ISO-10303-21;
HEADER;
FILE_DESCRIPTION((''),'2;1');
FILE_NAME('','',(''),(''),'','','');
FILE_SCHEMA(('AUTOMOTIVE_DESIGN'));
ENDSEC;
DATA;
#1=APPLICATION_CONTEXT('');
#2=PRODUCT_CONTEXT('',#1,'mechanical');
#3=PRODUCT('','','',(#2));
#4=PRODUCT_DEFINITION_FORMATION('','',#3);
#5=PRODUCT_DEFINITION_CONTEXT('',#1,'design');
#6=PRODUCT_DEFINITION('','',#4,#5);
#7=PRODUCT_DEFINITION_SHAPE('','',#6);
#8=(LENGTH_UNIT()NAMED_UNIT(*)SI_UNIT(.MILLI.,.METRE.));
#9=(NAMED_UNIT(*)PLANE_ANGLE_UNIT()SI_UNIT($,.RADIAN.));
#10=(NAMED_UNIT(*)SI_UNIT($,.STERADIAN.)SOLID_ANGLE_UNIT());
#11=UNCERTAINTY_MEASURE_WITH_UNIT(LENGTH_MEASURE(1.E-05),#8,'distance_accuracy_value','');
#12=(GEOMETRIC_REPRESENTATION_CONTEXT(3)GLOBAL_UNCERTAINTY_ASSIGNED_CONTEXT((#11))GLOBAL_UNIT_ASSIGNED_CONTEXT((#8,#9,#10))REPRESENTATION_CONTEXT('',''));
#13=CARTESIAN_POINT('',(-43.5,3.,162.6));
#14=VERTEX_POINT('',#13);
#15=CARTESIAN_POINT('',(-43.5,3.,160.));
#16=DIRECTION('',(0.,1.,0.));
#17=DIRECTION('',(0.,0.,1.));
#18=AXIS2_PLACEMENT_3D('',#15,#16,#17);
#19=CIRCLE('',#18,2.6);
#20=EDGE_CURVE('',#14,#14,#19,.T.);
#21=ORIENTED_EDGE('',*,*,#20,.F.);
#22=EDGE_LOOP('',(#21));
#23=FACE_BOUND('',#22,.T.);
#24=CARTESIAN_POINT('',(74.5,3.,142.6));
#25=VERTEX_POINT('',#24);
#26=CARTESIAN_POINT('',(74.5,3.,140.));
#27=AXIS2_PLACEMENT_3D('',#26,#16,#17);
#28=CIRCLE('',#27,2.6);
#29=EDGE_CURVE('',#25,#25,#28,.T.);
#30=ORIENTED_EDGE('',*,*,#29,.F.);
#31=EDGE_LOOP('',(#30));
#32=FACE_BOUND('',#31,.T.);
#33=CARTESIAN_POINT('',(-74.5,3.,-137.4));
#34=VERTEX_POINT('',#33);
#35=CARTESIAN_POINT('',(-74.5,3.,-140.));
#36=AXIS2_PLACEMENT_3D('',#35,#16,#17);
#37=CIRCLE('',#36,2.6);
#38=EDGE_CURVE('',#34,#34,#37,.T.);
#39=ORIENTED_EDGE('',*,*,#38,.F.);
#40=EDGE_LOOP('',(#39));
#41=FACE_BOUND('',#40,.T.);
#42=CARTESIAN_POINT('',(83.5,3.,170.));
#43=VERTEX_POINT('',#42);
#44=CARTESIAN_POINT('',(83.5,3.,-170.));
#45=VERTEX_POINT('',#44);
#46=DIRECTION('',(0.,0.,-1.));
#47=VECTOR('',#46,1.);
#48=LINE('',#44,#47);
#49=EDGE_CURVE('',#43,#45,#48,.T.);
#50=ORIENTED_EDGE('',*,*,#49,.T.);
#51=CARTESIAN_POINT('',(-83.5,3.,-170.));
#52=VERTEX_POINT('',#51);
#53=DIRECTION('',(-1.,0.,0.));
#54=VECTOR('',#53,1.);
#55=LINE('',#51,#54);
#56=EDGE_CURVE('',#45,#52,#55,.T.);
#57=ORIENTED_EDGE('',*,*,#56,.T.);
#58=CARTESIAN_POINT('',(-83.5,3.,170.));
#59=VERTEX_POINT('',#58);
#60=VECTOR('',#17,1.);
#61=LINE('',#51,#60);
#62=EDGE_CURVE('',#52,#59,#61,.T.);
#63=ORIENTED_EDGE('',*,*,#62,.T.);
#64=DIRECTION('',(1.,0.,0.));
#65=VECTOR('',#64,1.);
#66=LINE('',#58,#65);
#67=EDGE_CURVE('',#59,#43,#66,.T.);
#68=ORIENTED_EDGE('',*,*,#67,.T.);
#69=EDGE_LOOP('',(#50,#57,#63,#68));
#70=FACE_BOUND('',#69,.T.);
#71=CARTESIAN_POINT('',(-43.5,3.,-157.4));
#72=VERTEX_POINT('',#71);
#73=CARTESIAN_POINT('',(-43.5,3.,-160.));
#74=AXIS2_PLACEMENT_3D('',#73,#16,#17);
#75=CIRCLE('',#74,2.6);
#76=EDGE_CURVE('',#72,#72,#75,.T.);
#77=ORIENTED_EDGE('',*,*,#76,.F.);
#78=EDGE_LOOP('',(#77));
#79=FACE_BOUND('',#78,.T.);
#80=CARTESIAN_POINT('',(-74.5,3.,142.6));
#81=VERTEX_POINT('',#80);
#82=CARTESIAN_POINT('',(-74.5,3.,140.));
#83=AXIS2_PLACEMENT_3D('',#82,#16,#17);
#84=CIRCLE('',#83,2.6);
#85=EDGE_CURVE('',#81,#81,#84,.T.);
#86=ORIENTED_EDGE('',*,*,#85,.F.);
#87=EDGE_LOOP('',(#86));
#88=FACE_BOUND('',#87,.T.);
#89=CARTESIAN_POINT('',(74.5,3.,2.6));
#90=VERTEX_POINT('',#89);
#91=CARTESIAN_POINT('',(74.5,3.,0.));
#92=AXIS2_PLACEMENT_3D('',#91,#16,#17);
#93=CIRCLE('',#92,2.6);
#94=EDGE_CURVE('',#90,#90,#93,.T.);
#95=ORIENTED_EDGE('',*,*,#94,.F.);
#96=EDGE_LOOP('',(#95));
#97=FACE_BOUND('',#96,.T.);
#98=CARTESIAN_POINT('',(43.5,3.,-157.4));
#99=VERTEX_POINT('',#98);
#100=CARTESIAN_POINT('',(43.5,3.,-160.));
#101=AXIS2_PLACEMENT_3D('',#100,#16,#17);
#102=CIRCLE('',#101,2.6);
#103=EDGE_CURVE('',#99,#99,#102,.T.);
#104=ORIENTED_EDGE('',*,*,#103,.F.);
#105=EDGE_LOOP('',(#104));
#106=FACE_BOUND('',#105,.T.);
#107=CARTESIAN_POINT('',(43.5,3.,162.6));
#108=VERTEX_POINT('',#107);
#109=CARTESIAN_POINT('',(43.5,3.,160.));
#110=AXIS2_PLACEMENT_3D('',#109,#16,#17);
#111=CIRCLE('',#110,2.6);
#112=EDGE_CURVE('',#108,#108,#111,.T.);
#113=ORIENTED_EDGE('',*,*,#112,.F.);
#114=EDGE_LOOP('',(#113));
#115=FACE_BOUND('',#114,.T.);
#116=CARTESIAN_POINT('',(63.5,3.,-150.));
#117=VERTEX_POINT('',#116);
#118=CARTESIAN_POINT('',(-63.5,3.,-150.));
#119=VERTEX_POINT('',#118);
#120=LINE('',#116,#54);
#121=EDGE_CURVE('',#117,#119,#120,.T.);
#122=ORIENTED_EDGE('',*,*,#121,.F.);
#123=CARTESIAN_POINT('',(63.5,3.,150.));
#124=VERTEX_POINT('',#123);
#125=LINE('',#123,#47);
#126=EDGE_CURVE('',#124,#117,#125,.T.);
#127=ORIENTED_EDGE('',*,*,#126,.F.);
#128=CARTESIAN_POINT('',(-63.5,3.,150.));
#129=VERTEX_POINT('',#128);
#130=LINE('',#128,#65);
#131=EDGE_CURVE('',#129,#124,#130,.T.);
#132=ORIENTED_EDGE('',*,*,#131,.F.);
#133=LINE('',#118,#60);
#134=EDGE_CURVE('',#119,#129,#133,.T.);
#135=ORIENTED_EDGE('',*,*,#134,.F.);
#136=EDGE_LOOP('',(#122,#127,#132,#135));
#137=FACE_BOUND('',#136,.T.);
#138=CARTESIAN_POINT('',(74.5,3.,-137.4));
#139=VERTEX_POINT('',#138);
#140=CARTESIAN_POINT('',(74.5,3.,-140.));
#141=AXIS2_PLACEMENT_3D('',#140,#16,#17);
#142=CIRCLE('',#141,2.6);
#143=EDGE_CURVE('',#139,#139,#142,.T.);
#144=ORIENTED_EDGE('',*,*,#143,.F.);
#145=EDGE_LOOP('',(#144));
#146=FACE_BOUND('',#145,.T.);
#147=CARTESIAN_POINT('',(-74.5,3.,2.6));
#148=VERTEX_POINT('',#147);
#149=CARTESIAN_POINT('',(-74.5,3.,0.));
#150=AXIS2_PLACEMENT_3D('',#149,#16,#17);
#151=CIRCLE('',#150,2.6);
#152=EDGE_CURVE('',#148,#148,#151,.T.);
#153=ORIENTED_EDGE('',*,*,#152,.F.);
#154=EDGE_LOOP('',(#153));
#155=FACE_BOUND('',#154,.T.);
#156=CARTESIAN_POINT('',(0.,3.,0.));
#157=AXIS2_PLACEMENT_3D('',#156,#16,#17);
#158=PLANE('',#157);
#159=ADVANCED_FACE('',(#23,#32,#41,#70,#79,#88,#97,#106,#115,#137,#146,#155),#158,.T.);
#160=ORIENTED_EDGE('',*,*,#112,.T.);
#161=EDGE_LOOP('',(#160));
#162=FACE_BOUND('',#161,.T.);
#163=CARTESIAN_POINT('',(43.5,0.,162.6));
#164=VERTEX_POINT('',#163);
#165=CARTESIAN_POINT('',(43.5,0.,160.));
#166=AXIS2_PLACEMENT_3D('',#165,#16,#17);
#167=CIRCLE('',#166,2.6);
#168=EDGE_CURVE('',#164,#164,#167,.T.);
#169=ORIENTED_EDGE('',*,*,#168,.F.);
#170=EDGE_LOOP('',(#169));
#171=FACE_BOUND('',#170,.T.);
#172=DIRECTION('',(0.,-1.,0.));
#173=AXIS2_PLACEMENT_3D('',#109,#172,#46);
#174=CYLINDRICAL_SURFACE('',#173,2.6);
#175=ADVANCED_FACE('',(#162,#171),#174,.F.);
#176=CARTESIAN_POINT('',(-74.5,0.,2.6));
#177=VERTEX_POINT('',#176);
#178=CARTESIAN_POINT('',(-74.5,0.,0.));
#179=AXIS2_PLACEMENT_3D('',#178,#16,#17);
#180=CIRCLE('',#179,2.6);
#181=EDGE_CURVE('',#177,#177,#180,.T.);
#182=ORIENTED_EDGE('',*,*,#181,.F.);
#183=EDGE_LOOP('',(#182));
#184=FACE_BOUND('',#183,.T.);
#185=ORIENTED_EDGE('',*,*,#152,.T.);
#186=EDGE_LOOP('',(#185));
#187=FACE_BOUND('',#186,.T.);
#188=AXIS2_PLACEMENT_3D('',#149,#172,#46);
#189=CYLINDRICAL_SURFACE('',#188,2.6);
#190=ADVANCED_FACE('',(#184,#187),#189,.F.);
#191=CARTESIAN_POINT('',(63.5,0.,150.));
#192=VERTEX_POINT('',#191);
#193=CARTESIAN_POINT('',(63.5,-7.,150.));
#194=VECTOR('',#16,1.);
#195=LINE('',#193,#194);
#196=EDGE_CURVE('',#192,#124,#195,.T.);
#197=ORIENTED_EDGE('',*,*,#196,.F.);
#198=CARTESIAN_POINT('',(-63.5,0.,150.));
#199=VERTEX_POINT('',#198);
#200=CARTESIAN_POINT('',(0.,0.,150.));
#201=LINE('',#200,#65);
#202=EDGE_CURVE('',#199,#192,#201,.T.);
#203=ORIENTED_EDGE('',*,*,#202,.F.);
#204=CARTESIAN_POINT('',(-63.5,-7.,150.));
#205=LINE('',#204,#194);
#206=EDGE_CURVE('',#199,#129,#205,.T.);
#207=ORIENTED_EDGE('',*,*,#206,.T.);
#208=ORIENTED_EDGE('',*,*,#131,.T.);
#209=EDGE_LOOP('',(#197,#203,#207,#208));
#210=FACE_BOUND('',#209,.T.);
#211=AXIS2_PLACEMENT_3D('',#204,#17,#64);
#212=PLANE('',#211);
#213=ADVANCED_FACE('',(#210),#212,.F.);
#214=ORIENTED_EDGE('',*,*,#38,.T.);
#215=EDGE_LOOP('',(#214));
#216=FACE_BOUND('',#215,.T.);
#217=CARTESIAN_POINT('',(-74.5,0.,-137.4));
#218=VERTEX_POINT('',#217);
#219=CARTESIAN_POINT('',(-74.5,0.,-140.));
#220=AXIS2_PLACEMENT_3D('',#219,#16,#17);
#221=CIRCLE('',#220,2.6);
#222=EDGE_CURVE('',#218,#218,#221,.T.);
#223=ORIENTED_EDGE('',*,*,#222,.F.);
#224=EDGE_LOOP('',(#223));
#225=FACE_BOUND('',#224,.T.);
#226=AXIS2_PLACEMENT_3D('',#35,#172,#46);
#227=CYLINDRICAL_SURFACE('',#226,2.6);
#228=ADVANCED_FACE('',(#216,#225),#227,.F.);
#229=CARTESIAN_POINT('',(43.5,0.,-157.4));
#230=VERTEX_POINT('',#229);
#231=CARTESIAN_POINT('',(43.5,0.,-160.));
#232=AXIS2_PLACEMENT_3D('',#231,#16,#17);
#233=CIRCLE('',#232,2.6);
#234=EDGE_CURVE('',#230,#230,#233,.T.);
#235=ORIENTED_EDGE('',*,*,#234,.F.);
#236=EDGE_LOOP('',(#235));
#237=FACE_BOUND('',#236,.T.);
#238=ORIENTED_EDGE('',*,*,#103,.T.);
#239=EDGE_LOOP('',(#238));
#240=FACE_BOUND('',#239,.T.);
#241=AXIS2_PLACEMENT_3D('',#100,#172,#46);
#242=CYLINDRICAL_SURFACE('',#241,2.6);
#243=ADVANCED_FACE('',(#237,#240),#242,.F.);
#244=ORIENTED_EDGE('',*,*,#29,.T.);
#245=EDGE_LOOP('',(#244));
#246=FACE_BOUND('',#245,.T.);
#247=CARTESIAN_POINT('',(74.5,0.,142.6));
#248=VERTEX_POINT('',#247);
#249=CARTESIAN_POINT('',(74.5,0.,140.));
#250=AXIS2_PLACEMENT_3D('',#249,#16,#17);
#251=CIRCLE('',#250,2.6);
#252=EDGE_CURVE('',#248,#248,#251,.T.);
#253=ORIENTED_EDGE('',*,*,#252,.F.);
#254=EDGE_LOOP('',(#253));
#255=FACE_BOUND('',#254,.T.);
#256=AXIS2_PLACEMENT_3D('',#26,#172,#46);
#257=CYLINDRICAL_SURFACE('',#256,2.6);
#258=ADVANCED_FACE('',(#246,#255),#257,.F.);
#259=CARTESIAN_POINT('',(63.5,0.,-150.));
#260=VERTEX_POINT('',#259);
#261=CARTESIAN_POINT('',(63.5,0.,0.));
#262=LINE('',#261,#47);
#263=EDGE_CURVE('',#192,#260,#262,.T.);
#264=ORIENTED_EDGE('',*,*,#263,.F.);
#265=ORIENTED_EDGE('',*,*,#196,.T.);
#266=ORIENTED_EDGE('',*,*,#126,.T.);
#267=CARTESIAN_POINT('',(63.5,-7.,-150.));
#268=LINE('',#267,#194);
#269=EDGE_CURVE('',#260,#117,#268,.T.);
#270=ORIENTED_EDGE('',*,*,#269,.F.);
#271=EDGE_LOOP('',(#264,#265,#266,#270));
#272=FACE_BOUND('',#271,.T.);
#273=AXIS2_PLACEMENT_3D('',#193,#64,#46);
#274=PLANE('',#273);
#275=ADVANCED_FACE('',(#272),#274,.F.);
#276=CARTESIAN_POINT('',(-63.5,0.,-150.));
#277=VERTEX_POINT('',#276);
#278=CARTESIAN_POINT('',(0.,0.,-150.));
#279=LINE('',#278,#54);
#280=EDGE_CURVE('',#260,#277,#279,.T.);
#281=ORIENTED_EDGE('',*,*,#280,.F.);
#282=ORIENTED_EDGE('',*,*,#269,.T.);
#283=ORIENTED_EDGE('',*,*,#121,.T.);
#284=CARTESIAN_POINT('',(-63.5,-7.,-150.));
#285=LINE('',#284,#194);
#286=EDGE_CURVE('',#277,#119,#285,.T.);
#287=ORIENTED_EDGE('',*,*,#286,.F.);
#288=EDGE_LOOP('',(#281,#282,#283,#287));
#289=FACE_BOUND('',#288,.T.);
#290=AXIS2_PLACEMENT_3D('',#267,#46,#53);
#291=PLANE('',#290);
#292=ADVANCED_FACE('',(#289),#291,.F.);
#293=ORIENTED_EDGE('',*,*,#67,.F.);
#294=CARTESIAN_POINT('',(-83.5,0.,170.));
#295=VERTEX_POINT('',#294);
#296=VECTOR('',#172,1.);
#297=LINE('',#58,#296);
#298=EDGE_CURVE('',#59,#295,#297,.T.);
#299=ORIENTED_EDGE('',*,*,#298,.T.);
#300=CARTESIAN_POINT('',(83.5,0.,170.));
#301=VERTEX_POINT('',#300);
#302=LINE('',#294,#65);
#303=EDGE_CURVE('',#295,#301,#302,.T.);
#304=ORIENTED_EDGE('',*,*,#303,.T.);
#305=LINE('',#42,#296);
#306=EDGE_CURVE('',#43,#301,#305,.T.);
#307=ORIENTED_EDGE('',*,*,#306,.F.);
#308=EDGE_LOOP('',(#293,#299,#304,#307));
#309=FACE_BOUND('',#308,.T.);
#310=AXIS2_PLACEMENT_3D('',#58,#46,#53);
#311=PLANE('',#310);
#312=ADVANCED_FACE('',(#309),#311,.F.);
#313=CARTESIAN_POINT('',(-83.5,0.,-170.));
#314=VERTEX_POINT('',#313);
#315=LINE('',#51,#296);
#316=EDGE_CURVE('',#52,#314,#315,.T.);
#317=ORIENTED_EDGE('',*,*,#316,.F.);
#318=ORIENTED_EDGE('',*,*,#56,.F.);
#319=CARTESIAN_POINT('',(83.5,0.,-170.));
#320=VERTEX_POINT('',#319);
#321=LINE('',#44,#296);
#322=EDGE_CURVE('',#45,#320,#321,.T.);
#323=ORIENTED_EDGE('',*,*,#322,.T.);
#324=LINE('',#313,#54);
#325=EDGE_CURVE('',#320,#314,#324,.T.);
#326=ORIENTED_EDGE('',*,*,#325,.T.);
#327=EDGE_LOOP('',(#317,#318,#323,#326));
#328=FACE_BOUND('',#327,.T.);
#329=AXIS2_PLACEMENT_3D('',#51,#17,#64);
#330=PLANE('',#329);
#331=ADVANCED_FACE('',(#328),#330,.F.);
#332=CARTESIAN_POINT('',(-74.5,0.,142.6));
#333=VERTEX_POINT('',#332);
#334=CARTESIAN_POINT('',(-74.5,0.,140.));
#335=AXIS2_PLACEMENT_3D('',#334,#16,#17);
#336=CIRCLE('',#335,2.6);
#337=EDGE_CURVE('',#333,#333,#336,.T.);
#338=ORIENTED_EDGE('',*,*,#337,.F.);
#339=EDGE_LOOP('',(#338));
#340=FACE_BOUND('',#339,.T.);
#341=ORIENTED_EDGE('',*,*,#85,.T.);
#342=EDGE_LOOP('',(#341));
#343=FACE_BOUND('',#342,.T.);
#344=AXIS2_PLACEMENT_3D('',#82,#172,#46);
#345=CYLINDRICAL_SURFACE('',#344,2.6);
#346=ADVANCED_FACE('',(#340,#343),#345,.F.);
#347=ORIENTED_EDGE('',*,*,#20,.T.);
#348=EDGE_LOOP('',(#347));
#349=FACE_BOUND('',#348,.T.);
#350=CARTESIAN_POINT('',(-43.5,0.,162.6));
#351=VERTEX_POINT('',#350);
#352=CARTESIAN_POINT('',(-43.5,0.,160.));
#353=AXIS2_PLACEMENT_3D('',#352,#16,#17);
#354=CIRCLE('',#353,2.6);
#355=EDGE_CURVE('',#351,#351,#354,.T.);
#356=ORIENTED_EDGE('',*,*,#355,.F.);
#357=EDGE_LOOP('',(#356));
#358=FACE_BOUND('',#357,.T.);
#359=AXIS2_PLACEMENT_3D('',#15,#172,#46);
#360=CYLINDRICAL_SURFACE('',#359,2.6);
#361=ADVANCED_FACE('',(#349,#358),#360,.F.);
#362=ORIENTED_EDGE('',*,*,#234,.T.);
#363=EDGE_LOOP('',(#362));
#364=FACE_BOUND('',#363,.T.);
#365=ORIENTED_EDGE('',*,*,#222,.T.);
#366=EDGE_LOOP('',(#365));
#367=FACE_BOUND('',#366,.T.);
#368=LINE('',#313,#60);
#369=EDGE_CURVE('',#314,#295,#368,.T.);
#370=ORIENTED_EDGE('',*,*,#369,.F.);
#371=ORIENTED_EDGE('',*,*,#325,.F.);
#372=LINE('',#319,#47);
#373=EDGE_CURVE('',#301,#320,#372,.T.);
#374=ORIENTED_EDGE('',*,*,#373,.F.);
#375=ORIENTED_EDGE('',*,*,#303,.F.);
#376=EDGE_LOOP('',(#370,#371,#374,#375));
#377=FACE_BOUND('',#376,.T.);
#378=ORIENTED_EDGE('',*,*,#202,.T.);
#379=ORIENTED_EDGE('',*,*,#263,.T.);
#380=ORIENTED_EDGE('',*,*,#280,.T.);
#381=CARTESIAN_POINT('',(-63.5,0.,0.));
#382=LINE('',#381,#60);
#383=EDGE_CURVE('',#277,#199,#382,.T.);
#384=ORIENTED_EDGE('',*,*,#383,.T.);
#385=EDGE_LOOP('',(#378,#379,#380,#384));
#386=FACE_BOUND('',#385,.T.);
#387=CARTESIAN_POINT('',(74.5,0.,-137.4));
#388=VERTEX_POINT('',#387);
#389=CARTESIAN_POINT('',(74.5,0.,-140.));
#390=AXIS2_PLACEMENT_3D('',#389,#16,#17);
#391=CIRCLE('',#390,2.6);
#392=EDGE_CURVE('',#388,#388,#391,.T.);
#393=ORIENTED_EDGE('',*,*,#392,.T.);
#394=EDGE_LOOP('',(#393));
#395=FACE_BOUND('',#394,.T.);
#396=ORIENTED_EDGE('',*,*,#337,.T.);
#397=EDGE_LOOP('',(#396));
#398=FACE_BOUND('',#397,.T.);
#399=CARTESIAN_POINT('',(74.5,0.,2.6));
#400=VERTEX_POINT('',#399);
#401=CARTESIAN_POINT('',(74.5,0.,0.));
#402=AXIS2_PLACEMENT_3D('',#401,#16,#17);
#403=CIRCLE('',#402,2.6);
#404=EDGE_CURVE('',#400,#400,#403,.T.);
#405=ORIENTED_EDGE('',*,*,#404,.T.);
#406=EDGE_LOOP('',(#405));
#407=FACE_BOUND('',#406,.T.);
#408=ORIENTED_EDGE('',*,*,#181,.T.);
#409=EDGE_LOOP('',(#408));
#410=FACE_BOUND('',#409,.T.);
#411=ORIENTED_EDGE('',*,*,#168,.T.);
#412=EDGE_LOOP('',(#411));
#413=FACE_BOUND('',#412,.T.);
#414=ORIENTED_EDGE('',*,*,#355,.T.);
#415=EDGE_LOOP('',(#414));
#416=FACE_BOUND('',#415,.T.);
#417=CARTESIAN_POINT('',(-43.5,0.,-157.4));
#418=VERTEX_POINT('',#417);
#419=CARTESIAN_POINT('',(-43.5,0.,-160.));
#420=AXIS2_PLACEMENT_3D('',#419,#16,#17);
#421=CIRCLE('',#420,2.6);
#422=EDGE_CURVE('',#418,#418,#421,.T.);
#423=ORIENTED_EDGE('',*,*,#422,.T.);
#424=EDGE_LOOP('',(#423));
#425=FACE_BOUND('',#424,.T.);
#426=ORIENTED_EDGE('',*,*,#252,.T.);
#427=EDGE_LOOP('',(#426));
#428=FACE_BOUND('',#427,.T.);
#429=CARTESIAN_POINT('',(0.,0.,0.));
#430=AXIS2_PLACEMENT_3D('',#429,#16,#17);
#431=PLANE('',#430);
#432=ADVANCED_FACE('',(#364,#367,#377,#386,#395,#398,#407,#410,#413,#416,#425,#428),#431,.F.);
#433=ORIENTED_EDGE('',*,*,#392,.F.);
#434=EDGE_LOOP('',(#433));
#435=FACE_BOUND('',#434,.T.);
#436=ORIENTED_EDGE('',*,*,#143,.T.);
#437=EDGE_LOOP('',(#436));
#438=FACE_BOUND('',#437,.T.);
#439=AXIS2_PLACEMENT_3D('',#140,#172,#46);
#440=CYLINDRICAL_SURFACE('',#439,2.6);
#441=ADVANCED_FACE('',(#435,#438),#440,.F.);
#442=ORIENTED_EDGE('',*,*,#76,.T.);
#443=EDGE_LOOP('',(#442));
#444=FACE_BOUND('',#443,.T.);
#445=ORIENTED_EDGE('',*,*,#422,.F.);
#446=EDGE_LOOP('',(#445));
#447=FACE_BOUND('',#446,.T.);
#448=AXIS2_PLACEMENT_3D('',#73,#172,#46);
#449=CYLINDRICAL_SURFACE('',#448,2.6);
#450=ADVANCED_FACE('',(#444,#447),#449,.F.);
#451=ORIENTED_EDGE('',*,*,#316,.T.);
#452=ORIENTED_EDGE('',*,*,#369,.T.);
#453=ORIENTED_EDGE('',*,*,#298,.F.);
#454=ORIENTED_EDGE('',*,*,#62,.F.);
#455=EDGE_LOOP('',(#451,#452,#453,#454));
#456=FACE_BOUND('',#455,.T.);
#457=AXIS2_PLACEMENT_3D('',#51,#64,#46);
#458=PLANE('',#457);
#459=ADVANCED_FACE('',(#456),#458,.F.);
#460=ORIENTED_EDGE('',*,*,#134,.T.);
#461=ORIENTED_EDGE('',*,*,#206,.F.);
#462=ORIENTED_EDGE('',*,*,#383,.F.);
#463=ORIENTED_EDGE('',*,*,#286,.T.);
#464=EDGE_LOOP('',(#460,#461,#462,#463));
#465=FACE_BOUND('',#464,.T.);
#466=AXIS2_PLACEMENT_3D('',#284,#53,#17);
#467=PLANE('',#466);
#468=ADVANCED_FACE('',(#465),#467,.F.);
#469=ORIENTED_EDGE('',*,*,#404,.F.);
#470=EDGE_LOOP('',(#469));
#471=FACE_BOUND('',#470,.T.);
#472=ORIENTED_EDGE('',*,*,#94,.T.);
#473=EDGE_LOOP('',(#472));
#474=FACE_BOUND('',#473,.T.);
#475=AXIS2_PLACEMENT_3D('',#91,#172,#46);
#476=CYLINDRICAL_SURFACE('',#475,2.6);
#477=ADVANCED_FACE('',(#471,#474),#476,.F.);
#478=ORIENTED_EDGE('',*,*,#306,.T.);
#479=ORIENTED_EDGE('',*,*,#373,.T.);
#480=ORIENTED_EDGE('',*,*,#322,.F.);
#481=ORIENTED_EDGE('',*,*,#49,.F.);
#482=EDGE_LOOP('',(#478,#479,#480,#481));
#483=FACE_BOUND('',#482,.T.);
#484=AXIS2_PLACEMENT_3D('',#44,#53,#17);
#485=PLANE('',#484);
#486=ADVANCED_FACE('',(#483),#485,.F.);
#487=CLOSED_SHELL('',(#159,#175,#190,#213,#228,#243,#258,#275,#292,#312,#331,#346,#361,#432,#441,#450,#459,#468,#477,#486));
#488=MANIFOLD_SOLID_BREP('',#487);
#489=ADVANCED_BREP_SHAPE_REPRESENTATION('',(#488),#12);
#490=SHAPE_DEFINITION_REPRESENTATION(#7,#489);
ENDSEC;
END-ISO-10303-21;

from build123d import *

# Parameters (mm, degrees)
CROQUIS1_W              = 167
CROQUIS1_H              = 340
CROQUIS1_R              = 2.6
SALIENTE_EXTRUIR1_DEPTH = 3
SKETCH1_W               = 127
SKETCH1_H               = 300
CUT_EXTRUDE1_DEPTH      = 10


with BuildPart() as part:
    # Croquis1 → Saliente-Extruir1 (new body)
    with BuildSketch(Plane(origin=(0, 0, 0), x_dir=(1, 0, 0), z_dir=(0, 1, 0))):
        Rectangle(CROQUIS1_W, CROQUIS1_H)
        with Locations(Location((-74.5, 140, 0), (0, 0, 270))):
            Circle(CROQUIS1_R, mode=Mode.SUBTRACT)
        with Locations(Location((-74.5, 0, 0), (0, 0, 270))):
            Circle(CROQUIS1_R, mode=Mode.SUBTRACT)
        with Locations(Location((-74.5, -140, 0), (0, 0, 270))):
            Circle(CROQUIS1_R, mode=Mode.SUBTRACT)
        with Locations(Location((74.5, 140, 0), (0, 0, 270))):
            Circle(CROQUIS1_R, mode=Mode.SUBTRACT)
        with Locations(Location((74.5, -140, 0), (0, 0, 270))):
            Circle(CROQUIS1_R, mode=Mode.SUBTRACT)
        with Locations(Location((74.5, 0, 0), (0, 0, 270))):
            Circle(CROQUIS1_R, mode=Mode.SUBTRACT)
        with Locations(Location((-43.5, 160, 0), (0, 0, 270))):
            Circle(CROQUIS1_R, mode=Mode.SUBTRACT)
        with Locations(Location((43.5, 160, 0), (0, 0, 270))):
            Circle(CROQUIS1_R, mode=Mode.SUBTRACT)
        with Locations(Location((-43.5, -160, 0), (0, 0, 270))):
            Circle(CROQUIS1_R, mode=Mode.SUBTRACT)
        with Locations(Location((43.5, -160, 0), (0, 0, 270))):
            Circle(CROQUIS1_R, mode=Mode.SUBTRACT)
    extrude(amount=SALIENTE_EXTRUIR1_DEPTH)

    # Sketch1 → Cut-Extrude1 (cut)
    with BuildSketch(Plane(origin=(0, 3, 0), x_dir=(1, 0, 0), z_dir=(0, 1, 0))):
        Rectangle(SKETCH1_W, SKETCH1_H)
    extrude(amount=-CUT_EXTRUDE1_DEPTH, mode=Mode.SUBTRACT)


solid = part.part
